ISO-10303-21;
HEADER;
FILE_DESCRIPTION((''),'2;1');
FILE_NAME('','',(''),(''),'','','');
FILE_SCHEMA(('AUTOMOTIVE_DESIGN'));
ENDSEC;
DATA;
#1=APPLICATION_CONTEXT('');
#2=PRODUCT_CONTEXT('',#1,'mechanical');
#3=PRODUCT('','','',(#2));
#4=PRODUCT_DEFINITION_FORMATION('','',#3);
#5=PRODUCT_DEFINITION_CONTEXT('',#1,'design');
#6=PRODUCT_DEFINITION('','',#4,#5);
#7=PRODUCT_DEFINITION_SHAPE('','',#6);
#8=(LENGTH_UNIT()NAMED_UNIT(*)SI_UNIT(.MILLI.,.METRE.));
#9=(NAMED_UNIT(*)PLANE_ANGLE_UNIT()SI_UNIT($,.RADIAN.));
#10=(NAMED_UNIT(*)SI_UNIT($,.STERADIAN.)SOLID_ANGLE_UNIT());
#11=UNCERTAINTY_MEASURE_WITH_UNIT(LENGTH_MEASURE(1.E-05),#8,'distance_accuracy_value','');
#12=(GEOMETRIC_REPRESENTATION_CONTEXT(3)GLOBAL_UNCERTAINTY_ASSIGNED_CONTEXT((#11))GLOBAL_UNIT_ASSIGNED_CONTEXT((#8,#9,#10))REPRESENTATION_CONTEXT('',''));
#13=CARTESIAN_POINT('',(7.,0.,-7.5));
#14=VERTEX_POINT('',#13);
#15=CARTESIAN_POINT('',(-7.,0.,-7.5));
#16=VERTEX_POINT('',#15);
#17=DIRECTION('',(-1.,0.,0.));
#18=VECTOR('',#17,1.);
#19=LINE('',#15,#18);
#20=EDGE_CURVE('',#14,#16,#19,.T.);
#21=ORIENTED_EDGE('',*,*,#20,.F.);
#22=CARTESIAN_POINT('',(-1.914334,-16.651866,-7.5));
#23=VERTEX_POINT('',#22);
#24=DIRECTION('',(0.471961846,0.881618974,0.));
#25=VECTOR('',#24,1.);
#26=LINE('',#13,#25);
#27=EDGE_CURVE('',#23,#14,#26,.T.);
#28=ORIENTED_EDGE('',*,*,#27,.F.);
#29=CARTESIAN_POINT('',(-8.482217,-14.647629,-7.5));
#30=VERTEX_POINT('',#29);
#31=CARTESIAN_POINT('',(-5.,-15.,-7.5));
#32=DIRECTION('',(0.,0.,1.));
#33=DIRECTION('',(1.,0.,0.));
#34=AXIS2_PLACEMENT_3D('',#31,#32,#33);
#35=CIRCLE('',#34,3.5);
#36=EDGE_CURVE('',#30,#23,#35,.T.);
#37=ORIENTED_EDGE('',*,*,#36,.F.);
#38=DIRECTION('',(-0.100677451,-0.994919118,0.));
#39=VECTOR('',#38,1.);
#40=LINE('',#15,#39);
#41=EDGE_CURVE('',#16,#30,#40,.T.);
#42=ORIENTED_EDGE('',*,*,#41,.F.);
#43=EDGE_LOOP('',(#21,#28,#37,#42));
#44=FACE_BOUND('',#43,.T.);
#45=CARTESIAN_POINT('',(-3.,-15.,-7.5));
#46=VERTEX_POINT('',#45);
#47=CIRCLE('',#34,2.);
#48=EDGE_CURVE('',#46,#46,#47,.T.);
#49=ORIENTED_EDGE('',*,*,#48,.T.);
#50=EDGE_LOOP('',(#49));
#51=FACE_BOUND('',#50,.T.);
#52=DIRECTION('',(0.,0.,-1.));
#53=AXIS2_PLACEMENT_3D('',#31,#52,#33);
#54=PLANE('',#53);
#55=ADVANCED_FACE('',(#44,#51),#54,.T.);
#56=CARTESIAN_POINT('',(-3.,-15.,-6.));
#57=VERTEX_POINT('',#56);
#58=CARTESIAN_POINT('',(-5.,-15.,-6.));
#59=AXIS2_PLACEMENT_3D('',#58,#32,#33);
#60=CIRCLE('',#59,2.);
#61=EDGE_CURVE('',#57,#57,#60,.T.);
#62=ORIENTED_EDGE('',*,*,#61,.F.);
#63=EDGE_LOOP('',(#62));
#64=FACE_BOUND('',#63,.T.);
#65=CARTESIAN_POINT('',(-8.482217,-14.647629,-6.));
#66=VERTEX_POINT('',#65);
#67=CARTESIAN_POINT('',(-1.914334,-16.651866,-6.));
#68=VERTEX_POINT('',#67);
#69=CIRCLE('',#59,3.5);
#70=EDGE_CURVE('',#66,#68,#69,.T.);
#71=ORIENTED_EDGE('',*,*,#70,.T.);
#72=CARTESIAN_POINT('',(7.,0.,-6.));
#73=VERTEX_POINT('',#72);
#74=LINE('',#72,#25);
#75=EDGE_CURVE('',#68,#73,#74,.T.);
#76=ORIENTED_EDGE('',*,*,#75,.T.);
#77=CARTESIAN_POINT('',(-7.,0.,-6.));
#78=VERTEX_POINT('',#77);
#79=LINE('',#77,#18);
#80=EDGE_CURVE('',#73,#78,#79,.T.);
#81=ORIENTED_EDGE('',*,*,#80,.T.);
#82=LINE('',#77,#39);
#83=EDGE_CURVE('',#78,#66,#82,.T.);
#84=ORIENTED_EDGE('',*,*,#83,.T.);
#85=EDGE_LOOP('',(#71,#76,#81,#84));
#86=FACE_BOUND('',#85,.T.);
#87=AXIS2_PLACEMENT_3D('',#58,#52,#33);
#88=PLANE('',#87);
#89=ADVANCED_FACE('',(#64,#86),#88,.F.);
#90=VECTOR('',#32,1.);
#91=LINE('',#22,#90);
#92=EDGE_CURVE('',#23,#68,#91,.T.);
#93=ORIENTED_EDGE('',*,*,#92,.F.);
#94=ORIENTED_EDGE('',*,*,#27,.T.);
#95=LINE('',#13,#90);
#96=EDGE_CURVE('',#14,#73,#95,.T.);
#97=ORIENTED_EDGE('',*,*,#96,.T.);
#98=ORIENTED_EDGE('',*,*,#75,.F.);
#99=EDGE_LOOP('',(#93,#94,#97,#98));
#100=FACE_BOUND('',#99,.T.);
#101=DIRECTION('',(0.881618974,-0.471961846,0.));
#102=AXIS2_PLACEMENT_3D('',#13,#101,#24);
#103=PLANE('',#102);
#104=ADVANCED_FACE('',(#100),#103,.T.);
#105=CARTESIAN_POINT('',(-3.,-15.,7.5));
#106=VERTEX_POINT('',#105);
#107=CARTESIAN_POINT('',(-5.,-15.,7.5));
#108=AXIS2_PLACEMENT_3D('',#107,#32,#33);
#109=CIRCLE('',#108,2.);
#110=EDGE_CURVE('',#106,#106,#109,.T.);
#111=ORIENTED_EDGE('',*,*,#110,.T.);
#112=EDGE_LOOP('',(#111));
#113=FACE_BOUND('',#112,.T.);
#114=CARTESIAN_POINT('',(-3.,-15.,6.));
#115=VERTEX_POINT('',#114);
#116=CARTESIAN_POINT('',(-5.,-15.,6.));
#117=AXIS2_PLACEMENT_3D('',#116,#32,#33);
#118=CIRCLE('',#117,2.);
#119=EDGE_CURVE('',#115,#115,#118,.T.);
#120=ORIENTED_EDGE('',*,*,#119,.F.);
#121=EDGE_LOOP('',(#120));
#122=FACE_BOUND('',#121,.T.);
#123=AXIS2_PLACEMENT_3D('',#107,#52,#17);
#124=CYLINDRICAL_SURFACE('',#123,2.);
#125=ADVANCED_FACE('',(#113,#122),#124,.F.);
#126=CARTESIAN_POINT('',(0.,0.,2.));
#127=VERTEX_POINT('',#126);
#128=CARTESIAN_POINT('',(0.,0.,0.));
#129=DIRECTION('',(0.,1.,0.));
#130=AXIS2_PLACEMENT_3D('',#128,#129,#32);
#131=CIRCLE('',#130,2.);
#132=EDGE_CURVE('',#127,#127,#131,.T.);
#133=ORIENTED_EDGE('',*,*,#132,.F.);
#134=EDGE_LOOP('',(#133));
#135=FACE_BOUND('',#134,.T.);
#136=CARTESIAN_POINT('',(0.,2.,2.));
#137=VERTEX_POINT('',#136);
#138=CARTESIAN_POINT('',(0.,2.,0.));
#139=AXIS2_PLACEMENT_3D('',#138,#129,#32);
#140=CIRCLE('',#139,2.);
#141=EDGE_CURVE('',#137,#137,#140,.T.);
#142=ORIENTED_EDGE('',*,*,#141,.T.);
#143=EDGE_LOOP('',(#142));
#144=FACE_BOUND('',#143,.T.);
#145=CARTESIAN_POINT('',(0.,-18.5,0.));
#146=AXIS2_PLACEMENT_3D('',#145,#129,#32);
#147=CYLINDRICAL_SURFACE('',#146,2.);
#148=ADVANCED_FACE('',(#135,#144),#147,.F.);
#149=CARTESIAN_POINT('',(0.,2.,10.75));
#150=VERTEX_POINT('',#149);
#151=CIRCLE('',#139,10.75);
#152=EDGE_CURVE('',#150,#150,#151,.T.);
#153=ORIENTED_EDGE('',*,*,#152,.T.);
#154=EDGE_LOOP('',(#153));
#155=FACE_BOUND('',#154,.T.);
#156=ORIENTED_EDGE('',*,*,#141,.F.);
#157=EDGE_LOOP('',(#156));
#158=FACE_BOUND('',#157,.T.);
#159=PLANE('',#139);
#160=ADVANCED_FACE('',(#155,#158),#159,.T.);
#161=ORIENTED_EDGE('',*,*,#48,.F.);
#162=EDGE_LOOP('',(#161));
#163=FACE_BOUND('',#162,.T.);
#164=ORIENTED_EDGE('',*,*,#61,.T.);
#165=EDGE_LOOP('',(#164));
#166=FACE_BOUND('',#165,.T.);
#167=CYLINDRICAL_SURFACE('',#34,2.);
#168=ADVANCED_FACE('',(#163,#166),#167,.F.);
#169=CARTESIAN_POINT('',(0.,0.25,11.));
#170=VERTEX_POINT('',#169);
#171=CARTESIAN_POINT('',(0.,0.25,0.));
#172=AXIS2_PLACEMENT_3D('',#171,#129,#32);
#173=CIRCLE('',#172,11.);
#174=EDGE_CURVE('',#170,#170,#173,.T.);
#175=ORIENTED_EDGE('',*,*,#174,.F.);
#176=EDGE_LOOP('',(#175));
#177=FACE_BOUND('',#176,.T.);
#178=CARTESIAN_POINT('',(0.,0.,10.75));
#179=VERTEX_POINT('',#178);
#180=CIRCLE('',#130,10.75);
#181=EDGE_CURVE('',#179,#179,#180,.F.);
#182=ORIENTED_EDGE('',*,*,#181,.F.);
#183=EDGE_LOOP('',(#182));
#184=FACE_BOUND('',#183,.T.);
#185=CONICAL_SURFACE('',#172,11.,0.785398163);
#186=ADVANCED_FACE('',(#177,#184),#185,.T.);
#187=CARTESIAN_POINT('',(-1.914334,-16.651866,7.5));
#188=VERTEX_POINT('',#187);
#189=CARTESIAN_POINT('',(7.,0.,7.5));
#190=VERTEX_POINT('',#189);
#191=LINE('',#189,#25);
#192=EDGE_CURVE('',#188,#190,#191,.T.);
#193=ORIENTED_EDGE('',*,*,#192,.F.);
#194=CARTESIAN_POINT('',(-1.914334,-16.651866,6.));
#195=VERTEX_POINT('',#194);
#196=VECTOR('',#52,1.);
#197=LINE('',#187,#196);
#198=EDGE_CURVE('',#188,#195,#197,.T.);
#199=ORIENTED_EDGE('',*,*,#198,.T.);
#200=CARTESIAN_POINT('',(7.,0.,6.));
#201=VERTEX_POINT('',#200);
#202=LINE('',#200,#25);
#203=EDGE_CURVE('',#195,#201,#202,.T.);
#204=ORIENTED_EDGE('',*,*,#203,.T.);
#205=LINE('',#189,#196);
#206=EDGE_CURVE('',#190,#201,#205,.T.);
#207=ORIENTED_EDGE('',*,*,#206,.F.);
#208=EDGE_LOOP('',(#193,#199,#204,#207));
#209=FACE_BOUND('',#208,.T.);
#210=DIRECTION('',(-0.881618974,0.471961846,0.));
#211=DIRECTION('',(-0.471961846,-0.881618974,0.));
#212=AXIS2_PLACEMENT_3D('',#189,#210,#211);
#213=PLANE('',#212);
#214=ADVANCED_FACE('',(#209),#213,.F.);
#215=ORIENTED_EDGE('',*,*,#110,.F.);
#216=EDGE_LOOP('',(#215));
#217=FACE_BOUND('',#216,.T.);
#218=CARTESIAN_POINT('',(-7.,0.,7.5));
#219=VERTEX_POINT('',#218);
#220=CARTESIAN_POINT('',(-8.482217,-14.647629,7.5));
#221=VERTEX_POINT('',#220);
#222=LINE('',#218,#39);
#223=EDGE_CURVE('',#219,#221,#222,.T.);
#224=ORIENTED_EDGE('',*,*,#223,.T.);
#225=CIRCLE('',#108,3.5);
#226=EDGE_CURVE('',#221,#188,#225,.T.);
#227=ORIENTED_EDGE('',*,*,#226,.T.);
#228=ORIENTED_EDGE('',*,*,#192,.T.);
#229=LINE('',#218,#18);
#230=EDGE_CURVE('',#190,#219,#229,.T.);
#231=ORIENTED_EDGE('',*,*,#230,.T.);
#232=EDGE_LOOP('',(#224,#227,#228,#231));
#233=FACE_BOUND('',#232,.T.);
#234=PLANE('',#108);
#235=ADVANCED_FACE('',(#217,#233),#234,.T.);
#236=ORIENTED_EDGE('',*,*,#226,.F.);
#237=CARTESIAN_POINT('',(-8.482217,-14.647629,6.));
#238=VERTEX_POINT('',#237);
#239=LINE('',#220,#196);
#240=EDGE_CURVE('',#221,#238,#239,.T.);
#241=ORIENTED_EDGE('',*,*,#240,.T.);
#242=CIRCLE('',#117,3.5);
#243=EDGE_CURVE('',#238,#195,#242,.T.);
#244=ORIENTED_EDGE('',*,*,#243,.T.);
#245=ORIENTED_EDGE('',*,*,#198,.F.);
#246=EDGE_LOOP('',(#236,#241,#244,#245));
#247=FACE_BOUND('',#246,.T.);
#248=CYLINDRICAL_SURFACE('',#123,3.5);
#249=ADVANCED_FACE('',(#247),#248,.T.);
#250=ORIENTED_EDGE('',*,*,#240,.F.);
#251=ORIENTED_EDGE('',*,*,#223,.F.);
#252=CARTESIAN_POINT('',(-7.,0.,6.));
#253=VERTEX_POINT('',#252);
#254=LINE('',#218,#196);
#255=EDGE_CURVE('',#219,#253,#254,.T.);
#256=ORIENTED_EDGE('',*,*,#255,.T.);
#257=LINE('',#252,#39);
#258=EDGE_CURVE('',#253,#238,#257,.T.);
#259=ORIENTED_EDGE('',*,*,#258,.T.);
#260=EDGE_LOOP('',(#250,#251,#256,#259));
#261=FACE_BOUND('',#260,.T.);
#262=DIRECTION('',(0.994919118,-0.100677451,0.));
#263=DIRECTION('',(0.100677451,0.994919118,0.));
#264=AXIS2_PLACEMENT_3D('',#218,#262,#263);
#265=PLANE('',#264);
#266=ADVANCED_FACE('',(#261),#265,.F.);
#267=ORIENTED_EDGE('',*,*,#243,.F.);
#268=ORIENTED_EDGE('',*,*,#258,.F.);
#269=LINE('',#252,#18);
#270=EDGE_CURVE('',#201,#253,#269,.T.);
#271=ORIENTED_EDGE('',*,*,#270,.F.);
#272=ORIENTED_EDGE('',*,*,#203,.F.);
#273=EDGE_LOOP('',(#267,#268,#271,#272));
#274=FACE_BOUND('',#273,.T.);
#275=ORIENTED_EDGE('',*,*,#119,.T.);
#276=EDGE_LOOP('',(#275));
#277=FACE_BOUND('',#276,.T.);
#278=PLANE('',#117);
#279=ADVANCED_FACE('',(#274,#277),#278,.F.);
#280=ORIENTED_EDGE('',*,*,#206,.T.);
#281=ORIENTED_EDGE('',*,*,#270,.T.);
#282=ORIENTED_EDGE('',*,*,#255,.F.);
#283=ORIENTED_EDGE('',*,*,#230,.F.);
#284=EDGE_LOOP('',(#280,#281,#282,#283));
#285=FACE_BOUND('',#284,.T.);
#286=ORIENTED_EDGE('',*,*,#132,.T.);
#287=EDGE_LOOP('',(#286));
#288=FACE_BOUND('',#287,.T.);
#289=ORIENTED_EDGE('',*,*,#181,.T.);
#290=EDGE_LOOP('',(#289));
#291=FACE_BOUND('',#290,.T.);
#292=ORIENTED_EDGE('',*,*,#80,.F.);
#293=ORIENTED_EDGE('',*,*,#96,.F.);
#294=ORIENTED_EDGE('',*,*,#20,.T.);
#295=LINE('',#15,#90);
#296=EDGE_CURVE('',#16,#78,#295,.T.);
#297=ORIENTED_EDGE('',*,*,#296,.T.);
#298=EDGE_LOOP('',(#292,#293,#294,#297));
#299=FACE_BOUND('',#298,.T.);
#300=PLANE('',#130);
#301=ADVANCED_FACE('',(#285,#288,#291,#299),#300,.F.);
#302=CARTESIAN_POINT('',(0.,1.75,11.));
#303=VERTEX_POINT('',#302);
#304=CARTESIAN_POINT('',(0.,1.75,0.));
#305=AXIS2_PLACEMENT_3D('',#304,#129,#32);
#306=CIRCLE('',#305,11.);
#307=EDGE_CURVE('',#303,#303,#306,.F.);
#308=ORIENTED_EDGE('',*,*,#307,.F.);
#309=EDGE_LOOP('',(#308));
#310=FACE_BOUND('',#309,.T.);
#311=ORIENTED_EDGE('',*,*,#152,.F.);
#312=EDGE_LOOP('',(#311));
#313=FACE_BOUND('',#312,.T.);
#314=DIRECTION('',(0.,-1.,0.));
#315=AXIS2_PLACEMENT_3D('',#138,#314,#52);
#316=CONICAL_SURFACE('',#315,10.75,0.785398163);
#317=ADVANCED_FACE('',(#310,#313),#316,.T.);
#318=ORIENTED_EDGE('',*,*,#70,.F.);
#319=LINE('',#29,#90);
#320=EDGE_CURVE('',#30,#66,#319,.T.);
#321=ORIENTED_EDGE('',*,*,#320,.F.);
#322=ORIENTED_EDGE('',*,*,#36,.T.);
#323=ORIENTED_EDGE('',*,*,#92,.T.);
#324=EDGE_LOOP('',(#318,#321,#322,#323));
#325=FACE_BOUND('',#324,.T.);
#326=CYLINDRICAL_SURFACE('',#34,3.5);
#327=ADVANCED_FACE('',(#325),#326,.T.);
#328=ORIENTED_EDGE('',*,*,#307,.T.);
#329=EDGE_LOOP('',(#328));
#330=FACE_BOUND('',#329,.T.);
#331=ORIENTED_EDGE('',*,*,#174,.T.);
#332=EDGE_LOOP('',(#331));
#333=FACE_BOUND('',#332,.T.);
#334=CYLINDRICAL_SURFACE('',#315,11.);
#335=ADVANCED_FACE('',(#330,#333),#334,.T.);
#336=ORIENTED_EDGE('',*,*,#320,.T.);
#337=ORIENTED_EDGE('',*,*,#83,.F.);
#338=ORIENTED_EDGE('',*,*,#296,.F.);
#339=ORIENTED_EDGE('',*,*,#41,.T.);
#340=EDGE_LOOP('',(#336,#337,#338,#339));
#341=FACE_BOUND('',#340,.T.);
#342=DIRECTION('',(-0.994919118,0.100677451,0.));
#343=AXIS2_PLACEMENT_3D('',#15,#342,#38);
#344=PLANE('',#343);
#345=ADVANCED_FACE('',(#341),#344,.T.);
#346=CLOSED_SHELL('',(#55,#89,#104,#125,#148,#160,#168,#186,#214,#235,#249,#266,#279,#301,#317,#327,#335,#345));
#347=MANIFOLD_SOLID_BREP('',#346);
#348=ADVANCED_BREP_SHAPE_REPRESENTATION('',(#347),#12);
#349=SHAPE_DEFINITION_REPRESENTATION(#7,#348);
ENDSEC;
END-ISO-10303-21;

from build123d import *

# Parameters (mm, degrees)
SKETCH6_R           = 11
BOSS_EXTRUDE3_DEPTH = 2
CHAMFER3_SIZE       = 0.25
SKETCH7_R           = 2
BOSS_EXTRUDE4_DEPTH = 1.5
SKETCH8_R           = 2
CUT_EXTRUDE1_DEPTH  = 26.734218465


with BuildPart() as part:
    # Sketch6 → Boss-Extrude3 (new body)
    with BuildSketch(Plane(origin=(0, 0, 0), x_dir=(1, 0, 0), z_dir=(0, 1, 0))):
        with Locations(Location((0, 0, 0), (0, 0, 270))):
            Circle(SKETCH6_R)
    extrude(amount=BOSS_EXTRUDE3_DEPTH)

    # Chamfer3
    chamfer3_edges = [part.edges().sort_by_distance(p)[0] for p in [
        (0, 0, -11),
        (0, 2, -11),
    ]]
    chamfer(chamfer3_edges, length=CHAMFER3_SIZE)

    # Sketch7 → Boss-Extrude4 (add)
    with BuildSketch(Plane.XY.offset(6)):
        with BuildLine():
            Line((-7, 0), (7, 0))
            Line((7, 0), (-1.91433359, -16.651866461))
            ThreePointArc((-1.91433359, -16.651866461), (-6.021545449, -18.347602858), (-8.482216912, -14.647628922))
            Line((-8.482216912, -14.647628922), (-7, 0))
        make_face()
        with Locations((-5, -15)):
            Circle(SKETCH7_R, mode=Mode.SUBTRACT)
    boss_extrude4 = extrude(amount=BOSS_EXTRUDE4_DEPTH)

    # Mirror2: Boss-Extrude4 across plane
    add(boss_extrude4.mirror(Plane.XY))

    # Sketch8 → Cut-Extrude1 (cut, through all)
    with BuildSketch(Plane(origin=(0, 2, 0), x_dir=(1, 0, 0), z_dir=(0, 1, 0))):
        with Locations(Location((0, 0, 0), (0, 0, 270))):
            Circle(SKETCH8_R)
    extrude(amount=-CUT_EXTRUDE1_DEPTH, mode=Mode.SUBTRACT)


solid = part.part
